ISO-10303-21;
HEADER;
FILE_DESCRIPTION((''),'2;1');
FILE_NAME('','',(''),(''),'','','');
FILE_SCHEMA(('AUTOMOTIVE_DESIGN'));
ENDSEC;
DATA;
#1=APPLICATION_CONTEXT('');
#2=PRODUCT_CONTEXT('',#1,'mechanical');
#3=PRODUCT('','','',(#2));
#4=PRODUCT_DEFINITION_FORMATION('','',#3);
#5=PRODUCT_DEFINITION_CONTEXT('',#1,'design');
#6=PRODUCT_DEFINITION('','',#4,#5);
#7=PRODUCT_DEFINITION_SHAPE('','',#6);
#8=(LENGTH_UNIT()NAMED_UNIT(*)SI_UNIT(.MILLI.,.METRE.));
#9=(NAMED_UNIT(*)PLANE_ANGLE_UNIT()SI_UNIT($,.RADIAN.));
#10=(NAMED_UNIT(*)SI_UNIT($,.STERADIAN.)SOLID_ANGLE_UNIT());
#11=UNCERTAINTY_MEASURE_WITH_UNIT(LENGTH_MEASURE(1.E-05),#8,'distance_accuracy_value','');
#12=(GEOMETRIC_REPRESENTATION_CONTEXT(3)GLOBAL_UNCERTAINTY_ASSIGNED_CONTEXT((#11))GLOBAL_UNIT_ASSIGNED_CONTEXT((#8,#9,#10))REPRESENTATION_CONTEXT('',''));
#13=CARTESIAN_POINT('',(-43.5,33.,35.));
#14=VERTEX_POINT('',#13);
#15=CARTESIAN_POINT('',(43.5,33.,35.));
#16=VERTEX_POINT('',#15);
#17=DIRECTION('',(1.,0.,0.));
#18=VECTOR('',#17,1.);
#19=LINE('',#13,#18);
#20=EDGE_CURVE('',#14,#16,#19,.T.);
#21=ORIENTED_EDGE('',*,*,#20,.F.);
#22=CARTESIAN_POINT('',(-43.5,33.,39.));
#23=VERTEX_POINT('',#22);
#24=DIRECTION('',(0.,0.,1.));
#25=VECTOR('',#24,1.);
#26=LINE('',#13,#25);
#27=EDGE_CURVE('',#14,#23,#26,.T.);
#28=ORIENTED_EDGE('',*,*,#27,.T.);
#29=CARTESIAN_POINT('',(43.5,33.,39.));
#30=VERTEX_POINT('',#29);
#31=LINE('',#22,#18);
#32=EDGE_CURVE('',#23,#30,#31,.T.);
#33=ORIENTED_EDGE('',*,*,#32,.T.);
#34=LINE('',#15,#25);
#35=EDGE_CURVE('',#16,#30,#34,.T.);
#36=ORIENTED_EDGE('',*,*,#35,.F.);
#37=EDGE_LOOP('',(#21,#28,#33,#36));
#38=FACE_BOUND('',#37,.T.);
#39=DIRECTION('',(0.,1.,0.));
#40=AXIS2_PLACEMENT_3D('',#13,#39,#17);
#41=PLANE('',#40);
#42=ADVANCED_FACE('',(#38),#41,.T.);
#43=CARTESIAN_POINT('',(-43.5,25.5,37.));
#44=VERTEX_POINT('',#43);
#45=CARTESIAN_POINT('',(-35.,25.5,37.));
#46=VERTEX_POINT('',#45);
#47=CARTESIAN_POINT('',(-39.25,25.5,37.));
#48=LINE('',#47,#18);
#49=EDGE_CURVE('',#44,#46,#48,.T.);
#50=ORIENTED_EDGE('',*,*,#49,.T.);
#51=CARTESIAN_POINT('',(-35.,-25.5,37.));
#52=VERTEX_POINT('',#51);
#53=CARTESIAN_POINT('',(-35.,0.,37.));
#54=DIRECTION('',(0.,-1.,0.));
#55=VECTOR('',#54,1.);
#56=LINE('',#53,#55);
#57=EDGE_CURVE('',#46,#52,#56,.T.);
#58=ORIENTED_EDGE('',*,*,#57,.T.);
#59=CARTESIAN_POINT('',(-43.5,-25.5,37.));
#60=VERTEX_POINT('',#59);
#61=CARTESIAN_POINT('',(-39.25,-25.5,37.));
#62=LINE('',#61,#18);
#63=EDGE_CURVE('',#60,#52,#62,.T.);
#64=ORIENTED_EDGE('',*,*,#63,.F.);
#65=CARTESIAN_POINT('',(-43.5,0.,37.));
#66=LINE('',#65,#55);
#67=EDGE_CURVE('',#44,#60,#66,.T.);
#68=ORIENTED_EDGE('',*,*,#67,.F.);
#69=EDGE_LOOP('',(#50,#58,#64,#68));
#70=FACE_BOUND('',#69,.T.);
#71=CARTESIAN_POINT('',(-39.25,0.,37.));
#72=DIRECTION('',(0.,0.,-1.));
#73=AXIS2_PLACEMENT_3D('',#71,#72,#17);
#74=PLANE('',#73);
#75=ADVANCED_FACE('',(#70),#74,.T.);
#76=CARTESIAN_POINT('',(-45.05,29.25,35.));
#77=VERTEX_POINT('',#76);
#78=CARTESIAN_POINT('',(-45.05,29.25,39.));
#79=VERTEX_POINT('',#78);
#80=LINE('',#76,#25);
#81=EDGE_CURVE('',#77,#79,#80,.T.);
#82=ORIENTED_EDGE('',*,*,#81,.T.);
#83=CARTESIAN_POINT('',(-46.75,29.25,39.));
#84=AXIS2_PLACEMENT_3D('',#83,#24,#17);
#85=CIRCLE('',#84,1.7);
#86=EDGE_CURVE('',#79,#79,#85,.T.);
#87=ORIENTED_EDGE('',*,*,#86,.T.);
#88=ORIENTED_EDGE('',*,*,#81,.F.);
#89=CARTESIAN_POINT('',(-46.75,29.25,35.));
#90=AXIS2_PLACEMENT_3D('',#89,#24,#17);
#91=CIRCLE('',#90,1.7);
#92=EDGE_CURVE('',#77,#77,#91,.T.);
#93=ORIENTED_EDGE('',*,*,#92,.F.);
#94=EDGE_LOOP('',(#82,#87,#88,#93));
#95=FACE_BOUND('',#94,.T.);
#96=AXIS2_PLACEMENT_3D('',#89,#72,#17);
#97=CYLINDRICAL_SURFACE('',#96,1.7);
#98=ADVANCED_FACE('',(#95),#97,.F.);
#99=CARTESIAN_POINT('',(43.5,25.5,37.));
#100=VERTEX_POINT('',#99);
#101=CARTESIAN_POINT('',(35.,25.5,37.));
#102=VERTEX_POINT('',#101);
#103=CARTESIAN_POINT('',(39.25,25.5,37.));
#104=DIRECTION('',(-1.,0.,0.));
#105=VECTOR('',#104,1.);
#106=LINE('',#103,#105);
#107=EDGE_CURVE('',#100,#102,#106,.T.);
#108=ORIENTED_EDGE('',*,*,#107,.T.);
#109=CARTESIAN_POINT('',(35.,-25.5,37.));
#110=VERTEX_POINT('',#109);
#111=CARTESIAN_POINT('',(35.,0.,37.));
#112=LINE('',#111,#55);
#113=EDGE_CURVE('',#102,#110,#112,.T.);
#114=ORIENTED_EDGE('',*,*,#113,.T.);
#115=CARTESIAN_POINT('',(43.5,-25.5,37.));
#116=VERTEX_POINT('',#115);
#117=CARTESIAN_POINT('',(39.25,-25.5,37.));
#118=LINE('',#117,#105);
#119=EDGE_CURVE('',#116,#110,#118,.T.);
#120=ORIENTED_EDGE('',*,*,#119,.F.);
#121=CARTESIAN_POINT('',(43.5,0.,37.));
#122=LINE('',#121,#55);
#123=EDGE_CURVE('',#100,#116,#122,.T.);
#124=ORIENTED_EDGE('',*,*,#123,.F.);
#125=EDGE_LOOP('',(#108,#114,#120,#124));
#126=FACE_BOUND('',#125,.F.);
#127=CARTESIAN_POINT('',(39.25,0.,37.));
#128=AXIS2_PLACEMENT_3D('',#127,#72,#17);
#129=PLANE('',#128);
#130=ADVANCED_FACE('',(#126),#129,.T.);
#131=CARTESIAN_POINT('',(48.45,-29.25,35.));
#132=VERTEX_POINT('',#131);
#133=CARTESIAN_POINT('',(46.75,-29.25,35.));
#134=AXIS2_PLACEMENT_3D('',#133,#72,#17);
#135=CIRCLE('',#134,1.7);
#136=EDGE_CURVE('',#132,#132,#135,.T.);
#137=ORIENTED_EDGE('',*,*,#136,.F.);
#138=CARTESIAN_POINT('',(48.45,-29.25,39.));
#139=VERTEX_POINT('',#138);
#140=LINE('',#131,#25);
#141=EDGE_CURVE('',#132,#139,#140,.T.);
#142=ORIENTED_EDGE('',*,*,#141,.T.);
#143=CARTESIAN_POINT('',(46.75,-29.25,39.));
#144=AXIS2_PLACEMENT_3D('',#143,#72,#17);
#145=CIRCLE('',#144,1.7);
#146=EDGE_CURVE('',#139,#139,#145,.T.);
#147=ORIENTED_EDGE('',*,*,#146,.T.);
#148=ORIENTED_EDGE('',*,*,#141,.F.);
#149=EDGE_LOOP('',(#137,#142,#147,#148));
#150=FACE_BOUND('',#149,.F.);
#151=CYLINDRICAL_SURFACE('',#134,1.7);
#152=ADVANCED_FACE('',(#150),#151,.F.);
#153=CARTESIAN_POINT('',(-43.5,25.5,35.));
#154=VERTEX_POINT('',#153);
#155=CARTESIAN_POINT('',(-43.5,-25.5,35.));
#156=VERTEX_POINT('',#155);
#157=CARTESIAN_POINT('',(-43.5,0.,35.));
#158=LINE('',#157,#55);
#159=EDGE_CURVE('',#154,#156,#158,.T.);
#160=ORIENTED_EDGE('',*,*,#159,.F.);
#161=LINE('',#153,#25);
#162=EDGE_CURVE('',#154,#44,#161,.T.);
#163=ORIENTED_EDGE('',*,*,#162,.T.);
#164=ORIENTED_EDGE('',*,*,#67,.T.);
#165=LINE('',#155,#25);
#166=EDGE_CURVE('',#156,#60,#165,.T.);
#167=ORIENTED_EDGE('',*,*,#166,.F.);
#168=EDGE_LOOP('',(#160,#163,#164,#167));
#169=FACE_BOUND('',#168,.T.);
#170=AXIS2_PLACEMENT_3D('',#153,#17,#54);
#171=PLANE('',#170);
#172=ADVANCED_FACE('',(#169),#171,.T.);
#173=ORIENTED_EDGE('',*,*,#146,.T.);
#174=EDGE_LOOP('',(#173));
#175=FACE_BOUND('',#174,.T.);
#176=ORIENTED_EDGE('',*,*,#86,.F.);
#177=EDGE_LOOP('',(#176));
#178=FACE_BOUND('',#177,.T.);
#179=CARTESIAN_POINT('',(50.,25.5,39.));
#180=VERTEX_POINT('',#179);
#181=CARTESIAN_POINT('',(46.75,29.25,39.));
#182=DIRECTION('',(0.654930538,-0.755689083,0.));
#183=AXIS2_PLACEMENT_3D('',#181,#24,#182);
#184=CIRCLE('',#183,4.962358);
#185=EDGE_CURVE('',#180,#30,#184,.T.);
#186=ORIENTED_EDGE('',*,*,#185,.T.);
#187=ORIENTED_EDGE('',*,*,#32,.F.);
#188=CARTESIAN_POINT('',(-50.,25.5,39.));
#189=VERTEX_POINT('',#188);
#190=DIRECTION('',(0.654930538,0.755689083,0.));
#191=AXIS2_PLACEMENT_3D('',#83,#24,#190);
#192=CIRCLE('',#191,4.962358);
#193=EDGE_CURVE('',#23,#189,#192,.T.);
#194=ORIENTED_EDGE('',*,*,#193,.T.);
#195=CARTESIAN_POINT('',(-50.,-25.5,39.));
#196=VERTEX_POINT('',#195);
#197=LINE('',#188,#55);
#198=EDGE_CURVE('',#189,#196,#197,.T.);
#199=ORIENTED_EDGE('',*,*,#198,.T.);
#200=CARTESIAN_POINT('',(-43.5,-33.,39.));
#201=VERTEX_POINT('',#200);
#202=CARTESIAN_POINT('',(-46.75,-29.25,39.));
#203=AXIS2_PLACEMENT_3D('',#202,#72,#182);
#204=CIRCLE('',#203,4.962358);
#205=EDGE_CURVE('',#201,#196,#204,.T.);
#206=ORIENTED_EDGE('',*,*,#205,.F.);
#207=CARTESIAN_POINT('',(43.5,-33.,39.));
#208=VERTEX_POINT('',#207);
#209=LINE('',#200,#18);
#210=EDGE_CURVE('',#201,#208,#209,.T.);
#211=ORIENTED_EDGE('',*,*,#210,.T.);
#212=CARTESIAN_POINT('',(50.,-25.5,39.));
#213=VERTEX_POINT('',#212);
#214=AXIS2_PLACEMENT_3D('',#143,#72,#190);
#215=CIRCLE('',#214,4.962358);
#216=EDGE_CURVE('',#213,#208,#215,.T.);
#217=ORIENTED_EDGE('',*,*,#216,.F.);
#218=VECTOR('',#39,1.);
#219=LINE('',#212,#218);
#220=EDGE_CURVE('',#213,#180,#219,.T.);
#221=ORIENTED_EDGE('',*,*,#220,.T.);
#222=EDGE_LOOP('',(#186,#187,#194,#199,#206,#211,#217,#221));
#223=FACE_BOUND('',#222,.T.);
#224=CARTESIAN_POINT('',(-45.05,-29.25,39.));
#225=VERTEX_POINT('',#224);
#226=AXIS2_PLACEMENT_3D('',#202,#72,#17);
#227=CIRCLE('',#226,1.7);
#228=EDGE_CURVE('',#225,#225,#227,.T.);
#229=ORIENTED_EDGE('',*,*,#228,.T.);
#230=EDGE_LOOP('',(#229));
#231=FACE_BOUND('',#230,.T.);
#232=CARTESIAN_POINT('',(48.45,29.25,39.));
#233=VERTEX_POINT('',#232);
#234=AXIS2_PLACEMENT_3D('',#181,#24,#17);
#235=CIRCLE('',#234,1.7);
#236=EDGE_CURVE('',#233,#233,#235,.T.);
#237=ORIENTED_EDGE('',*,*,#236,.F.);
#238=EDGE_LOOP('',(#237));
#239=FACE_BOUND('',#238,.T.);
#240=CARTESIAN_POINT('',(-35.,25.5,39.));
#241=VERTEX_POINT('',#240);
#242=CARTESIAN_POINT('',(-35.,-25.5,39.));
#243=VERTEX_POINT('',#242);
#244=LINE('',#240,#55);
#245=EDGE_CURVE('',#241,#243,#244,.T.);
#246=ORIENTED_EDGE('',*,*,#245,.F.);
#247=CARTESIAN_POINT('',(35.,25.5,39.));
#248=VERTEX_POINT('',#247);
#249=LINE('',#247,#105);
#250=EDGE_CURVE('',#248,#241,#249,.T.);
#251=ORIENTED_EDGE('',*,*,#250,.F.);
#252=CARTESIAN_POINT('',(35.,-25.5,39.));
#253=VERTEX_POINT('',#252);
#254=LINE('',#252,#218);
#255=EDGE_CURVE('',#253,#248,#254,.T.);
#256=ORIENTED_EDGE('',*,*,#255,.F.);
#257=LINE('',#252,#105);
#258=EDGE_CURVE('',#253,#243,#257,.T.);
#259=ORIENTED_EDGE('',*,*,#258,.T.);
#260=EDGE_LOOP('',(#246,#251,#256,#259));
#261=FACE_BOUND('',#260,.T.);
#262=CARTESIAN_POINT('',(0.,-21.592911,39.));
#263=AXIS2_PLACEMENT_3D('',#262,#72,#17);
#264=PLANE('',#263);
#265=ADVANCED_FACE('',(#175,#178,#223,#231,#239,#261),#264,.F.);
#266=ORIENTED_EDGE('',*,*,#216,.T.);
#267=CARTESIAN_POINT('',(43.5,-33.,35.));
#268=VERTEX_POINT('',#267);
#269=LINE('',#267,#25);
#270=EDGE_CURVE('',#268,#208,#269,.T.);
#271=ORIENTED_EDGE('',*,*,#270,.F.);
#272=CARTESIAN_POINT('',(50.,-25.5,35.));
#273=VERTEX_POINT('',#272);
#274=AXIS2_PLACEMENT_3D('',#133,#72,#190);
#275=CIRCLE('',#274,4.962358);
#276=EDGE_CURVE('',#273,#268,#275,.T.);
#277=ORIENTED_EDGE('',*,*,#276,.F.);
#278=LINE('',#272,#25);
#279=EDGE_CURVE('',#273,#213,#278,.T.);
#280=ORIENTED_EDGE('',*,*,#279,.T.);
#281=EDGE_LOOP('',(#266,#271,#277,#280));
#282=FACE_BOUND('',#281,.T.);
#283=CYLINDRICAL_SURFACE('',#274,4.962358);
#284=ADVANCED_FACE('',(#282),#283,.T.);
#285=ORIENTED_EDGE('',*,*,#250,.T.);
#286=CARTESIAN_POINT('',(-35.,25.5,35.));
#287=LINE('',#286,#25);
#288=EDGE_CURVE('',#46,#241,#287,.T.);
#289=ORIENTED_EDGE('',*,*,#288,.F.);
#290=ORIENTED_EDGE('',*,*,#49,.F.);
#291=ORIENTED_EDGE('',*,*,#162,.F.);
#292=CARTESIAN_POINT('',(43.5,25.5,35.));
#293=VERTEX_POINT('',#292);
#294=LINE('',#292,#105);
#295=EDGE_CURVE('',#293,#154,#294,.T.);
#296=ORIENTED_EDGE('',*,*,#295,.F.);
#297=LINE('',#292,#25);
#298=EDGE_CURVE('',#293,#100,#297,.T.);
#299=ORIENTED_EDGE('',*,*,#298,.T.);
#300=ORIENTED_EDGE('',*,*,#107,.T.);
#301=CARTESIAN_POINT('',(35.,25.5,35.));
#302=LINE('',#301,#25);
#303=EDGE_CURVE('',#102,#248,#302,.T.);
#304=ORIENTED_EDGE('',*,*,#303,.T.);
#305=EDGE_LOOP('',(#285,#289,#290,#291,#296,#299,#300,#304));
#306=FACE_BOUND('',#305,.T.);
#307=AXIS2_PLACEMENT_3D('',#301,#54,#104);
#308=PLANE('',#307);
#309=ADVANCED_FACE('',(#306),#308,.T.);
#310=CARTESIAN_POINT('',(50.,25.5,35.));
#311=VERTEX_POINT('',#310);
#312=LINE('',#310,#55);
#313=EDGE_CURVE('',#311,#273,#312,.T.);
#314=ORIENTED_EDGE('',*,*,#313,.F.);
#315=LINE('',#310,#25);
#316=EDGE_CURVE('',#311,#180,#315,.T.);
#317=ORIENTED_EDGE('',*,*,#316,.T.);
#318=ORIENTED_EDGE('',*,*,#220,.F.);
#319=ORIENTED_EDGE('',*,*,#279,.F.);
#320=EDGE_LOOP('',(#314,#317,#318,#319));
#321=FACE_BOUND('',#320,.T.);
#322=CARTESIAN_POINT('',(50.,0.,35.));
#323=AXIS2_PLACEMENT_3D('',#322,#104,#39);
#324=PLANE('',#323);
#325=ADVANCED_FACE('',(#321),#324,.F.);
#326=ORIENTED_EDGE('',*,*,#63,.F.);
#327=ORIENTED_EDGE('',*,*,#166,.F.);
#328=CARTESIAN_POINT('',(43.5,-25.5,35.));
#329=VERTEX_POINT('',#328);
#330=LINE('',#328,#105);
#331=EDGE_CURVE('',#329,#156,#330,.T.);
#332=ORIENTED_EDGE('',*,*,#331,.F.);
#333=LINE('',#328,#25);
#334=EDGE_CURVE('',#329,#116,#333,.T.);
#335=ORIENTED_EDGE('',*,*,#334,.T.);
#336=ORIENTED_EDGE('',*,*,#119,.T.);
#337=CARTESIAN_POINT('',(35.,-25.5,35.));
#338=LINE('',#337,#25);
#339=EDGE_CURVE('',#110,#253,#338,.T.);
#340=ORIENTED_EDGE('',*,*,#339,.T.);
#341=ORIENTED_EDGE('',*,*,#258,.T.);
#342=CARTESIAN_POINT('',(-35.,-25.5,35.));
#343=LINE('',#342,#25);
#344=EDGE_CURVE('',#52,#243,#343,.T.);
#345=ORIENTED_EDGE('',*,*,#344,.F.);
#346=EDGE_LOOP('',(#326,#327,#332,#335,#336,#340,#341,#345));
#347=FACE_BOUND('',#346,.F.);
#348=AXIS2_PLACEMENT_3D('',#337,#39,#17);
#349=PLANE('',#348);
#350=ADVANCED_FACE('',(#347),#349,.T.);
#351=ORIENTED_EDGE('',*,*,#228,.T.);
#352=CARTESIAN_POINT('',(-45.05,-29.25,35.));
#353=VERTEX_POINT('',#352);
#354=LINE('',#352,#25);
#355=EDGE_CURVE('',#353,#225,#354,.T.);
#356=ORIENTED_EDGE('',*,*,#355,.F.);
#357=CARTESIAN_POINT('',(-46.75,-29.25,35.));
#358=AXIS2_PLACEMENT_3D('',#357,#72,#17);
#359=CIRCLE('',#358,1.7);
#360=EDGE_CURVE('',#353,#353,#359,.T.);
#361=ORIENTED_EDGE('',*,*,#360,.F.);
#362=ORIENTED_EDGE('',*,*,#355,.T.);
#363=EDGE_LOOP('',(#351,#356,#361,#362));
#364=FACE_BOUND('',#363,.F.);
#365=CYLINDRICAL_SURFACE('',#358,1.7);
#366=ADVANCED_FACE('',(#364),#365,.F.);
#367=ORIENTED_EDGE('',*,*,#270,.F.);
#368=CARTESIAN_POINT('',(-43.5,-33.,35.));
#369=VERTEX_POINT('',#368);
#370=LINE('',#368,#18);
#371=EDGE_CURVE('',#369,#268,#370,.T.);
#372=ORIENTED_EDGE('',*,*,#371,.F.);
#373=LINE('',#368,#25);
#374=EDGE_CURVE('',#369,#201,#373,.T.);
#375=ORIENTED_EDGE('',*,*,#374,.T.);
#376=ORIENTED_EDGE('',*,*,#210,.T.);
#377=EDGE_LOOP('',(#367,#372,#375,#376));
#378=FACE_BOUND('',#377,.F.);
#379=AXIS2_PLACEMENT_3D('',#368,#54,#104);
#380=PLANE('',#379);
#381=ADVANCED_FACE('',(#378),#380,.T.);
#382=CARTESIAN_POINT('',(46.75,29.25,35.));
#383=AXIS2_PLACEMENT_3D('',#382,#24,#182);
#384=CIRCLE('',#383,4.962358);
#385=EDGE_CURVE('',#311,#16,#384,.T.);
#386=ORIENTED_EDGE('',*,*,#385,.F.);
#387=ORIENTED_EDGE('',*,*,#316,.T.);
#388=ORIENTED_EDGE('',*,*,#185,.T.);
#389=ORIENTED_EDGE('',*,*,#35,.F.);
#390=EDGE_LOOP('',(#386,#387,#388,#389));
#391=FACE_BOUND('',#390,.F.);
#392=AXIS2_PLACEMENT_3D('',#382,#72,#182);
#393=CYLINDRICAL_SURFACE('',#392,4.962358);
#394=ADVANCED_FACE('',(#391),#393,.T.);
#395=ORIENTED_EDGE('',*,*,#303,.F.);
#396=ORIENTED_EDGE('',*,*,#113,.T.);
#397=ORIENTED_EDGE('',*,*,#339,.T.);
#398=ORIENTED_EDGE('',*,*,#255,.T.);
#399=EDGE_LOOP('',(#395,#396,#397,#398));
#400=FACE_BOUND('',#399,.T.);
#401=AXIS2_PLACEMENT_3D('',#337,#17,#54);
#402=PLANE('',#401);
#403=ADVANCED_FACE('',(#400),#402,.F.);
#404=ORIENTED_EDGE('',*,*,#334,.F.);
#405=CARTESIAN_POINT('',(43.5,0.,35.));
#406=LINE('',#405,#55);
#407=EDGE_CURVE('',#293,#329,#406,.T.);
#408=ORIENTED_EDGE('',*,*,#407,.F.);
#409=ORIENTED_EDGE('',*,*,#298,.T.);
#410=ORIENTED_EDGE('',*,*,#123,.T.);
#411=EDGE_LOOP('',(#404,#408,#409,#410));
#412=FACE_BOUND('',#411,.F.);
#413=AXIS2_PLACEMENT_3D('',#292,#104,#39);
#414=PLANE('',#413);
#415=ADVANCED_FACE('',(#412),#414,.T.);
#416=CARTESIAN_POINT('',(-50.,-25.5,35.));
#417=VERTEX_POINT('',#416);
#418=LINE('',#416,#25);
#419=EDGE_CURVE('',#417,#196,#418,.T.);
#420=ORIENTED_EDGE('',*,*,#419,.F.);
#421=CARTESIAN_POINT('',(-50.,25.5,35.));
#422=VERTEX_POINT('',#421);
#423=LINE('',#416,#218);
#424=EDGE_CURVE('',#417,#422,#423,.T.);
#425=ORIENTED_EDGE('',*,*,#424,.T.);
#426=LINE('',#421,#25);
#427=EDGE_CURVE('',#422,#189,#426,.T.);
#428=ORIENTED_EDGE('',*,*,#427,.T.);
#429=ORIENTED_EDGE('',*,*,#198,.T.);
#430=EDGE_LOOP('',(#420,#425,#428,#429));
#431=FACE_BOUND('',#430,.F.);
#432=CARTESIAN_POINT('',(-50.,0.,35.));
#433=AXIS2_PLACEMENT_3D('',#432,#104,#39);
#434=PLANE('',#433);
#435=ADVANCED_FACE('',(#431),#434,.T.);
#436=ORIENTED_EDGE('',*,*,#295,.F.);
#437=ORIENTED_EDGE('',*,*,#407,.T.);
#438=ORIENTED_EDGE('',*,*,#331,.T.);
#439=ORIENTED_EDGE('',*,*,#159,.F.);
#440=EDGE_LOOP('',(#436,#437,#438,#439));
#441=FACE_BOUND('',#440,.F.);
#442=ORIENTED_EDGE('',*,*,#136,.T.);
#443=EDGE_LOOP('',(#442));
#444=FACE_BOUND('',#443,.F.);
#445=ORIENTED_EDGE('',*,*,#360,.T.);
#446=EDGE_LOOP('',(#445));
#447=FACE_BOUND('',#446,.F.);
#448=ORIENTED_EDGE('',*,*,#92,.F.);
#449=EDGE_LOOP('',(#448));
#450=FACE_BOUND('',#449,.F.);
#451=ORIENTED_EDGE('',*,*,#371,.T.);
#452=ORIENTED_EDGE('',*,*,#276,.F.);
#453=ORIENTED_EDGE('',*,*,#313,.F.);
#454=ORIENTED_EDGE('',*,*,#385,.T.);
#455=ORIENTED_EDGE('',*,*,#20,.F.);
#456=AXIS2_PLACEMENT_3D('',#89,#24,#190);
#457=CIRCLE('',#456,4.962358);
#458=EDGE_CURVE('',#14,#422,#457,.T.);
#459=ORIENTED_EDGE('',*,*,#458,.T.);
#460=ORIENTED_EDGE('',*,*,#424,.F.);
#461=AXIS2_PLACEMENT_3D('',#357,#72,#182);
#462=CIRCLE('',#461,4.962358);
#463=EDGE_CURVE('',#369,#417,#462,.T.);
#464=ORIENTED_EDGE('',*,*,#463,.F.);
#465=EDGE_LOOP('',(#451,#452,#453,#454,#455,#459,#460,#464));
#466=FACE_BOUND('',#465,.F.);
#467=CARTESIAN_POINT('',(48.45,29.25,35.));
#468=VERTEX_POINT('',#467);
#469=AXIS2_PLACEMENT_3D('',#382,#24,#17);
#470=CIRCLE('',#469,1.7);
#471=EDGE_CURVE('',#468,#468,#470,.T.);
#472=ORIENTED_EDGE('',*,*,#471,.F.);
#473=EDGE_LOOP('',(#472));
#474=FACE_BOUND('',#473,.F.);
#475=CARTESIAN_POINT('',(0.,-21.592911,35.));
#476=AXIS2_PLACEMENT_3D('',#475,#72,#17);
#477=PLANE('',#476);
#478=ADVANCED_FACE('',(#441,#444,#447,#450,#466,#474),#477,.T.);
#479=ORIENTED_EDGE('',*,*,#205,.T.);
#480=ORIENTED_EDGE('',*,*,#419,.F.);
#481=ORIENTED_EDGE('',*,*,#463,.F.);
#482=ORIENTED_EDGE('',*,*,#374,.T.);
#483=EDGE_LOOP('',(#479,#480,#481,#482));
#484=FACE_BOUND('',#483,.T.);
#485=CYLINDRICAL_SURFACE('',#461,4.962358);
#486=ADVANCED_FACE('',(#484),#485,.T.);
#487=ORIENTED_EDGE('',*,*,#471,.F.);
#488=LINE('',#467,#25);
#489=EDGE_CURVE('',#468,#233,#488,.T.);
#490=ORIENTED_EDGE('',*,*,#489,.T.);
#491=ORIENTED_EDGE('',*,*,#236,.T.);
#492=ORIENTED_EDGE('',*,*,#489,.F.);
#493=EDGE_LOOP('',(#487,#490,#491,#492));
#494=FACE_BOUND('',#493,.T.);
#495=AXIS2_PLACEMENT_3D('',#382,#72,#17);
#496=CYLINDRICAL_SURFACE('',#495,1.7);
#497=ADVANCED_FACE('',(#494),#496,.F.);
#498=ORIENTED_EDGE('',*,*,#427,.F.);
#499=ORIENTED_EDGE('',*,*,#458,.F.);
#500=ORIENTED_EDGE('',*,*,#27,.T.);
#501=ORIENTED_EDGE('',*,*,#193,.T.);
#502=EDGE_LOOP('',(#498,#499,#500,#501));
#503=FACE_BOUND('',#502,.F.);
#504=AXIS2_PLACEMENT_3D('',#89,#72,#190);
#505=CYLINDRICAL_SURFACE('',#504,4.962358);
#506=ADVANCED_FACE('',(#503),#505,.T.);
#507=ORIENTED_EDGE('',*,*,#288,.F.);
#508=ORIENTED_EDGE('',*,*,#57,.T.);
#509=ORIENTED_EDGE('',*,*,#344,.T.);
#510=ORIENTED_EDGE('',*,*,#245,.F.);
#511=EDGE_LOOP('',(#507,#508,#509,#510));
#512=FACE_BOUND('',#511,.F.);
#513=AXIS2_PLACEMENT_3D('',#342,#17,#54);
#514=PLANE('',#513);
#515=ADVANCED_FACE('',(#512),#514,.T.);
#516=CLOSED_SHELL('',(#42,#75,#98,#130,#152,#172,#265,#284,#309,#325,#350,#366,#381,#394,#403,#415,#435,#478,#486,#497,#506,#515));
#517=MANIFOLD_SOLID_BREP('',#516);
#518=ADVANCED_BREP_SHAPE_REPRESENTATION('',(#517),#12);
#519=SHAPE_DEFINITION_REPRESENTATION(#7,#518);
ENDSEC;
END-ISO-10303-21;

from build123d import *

# Parameters (mm, degrees)
SKETCH005_R     = 1.7
PAD003_DEPTH    = 4
SKETCH006_W     = 8.5
SKETCH006_H     = 51
POCKET002_DEPTH = 2


with BuildPart() as part:
    # Sketch005 → Pad003 (new body)
    with BuildSketch(Plane.XY):
        with BuildLine():
            Line((35, 25.5), (-35, 25.5))
            Line((-35, 25.5), (-35, 0))
            Line((-35, 0), (-50, 0))
            Line((-50, 0), (-50, 25.5))
            ThreePointArc((-43.5, 33), (-50.5, 32.5), (-50, 25.5))
            Line((-43.5, 33), (43.5, 33))
            ThreePointArc((50, 25.5), (50.5, 32.5), (43.5, 33))
            Line((50, 0), (50, 25.5))
            Line((35, 0), (50, 0))
            Line((35, 25.5), (35, 0))
        make_face()
        with Locations((-46.75, 29.25)):
            Circle(SKETCH005_R, mode=Mode.SUBTRACT)
        with Locations((46.75, 29.25)):
            Circle(SKETCH005_R, mode=Mode.SUBTRACT)
    pad003 = extrude(amount=PAD003_DEPTH)

    # Mirrored003: Pad003 across XZ
    add(pad003.mirror(Plane.XZ))

    # Sketch006 (on Face4 of Mirrored003) → Pocket002 (cut)
    with BuildSketch(Plane(origin=(0, 0, 0), x_dir=(1, 0, 0), z_dir=(0, 0, -1))):
        with Locations((-39.25, 0)):
            Rectangle(SKETCH006_W, SKETCH006_H)
    pocket002 = extrude(amount=-POCKET002_DEPTH, mode=Mode.SUBTRACT)

    # Mirrored004: Pocket002 across Sketch006 V_Axis
    add(pocket002.mirror(Plane(origin=(0, 0, 0), x_dir=(0, 0, -1), z_dir=(1, 0, 0))), mode=Mode.SUBTRACT)


with BuildPart() as part_1:
    # Body001 placement: moved
    add(part.part.moved(Location((0, 0, 35))))


solid = part_1.part
